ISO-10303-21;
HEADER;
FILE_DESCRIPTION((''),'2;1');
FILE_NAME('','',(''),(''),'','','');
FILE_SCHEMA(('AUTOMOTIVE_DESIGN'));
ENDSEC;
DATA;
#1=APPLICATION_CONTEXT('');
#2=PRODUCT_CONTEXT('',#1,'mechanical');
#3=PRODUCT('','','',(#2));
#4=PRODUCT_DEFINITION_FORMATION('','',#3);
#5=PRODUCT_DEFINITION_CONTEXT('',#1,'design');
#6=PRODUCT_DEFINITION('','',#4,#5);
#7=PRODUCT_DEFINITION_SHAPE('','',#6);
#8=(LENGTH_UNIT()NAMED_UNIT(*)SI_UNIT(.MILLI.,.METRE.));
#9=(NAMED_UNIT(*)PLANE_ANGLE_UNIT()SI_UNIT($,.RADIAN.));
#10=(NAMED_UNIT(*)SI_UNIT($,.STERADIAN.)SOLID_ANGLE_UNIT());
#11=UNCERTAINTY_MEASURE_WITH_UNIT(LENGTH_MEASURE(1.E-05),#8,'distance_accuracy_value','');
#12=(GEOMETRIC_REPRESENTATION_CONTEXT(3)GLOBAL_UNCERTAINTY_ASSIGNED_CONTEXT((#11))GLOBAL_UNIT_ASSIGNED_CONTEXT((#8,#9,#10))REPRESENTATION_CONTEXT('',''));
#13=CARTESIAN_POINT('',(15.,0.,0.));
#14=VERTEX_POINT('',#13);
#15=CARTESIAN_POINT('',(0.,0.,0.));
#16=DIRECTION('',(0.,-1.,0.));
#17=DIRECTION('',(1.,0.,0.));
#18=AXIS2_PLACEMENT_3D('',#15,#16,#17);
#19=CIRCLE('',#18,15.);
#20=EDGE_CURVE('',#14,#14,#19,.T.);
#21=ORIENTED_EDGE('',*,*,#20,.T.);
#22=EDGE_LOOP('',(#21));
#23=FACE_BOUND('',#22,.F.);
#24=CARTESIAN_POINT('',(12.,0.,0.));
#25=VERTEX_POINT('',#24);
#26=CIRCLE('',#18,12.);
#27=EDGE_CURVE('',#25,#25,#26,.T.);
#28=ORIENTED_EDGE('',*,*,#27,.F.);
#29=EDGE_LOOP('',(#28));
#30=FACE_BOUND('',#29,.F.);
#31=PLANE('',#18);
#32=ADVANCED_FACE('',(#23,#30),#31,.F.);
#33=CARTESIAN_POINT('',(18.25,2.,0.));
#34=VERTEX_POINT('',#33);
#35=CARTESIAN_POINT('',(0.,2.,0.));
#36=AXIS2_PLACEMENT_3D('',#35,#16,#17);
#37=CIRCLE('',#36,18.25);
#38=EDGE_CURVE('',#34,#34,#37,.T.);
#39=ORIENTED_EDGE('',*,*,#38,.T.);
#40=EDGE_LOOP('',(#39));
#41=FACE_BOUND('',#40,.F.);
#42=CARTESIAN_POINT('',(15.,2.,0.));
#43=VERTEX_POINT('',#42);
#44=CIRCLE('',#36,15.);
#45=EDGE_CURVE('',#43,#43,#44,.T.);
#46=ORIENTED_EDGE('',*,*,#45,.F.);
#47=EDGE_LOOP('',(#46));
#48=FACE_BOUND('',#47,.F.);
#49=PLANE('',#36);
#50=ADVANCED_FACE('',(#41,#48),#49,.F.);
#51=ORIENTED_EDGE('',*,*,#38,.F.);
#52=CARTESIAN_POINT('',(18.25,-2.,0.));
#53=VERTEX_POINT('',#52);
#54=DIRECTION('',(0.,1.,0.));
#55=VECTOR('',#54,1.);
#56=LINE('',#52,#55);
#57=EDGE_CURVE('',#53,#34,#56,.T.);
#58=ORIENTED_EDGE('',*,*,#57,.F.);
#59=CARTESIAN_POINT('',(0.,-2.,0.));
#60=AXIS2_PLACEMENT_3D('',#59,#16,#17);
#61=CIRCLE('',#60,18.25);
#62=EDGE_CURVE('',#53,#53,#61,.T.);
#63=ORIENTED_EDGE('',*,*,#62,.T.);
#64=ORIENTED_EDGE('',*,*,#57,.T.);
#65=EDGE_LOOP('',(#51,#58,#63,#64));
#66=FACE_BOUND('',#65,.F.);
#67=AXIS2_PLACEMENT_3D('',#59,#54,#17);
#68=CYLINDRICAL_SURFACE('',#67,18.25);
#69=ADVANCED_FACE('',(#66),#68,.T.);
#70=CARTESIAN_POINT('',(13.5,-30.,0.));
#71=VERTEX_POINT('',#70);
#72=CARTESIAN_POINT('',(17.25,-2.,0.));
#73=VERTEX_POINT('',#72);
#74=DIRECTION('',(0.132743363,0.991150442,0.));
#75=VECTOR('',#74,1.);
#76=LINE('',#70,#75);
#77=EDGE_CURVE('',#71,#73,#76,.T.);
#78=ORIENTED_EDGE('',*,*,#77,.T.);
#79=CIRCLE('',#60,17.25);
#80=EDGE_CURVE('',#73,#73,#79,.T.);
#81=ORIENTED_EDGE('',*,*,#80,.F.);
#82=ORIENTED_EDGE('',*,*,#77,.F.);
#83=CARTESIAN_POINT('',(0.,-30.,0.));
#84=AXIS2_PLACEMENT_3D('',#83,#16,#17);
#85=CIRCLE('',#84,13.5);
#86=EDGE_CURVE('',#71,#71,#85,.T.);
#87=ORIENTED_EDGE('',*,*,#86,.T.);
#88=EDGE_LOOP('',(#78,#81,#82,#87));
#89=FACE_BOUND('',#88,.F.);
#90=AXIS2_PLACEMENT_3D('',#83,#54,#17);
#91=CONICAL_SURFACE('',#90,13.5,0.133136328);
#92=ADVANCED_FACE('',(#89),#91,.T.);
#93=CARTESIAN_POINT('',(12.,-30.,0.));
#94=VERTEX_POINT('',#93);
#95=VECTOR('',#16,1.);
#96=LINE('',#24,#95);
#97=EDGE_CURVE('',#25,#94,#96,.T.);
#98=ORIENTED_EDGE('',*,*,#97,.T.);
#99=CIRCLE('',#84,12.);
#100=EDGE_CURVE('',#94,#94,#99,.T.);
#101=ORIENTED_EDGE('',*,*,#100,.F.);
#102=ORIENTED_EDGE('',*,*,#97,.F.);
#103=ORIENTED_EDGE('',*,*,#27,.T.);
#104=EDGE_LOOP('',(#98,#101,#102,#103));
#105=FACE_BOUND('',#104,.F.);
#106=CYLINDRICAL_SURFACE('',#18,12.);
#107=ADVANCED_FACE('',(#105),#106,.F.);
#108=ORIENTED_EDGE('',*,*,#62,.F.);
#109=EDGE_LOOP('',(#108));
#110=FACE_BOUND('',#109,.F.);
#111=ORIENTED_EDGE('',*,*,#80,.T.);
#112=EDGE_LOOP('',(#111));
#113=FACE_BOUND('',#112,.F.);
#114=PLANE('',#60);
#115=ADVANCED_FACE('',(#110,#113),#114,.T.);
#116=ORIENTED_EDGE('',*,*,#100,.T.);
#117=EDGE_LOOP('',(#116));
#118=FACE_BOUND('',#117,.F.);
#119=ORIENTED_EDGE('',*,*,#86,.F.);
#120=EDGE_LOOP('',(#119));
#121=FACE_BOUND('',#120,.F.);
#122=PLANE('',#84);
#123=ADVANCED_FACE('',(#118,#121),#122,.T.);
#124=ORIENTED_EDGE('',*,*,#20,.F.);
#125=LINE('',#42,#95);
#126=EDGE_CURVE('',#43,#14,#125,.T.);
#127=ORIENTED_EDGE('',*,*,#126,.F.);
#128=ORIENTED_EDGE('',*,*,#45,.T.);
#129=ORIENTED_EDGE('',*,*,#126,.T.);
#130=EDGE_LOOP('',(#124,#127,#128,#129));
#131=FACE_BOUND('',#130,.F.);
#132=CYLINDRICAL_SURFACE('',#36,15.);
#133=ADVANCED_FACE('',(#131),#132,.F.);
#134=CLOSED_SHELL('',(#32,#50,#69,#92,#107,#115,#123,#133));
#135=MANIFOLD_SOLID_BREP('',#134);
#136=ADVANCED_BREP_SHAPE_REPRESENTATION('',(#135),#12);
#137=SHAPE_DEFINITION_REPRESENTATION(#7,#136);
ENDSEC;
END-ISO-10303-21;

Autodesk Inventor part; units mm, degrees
ref_plane "YZ Plane" through (0, 0, 0) normal (1, 0, 0) x (0, 1, 0)
ref_plane "XZ Plane" through (0, 0, 0) normal (0, 1, 0) x (-1, 0, 0)
ref_plane "XY Plane" through (0, 0, 0) normal (0, 0, 1) x (1, 0, 0)
sketch "Sketch1" plane through (0, 0, 0) normal (0, 0, 1) x (1, 0, 0)
  line L0 (0, 0) -> (0, -43.1) construction
  line L1 (12, 0) -> (12, -30)
  line L2 (12, -30) -> (13.5, -30)
  line L3 (13.5, -30) -> (17.25, -2)
  line L4 (18.25, 2) -> (15, 2)
  line L5 (15, 2) -> (15, 0)
  line L6 (15, 0) -> (12, 0)
  line L7 (17.25, -2) -> (18.25, -2)
  line L8 (18.25, -2) -> (18.25, 2)
  dimension "d1" = 36.5
  dimension "d2" = 24
  dimension "d3" = 30
  dimension "d4" = 2
  dimension "d5" = 1
  dimension "d6" = 30
  dimension "d7" = 27
  dimension "d8" = 2
revolve "Revolution1" add sketch "Sketch1" angle 360 about axis through (0, 0, 0) along (0, -1, 0)
properties part number "002" material "Iron, Cast"
